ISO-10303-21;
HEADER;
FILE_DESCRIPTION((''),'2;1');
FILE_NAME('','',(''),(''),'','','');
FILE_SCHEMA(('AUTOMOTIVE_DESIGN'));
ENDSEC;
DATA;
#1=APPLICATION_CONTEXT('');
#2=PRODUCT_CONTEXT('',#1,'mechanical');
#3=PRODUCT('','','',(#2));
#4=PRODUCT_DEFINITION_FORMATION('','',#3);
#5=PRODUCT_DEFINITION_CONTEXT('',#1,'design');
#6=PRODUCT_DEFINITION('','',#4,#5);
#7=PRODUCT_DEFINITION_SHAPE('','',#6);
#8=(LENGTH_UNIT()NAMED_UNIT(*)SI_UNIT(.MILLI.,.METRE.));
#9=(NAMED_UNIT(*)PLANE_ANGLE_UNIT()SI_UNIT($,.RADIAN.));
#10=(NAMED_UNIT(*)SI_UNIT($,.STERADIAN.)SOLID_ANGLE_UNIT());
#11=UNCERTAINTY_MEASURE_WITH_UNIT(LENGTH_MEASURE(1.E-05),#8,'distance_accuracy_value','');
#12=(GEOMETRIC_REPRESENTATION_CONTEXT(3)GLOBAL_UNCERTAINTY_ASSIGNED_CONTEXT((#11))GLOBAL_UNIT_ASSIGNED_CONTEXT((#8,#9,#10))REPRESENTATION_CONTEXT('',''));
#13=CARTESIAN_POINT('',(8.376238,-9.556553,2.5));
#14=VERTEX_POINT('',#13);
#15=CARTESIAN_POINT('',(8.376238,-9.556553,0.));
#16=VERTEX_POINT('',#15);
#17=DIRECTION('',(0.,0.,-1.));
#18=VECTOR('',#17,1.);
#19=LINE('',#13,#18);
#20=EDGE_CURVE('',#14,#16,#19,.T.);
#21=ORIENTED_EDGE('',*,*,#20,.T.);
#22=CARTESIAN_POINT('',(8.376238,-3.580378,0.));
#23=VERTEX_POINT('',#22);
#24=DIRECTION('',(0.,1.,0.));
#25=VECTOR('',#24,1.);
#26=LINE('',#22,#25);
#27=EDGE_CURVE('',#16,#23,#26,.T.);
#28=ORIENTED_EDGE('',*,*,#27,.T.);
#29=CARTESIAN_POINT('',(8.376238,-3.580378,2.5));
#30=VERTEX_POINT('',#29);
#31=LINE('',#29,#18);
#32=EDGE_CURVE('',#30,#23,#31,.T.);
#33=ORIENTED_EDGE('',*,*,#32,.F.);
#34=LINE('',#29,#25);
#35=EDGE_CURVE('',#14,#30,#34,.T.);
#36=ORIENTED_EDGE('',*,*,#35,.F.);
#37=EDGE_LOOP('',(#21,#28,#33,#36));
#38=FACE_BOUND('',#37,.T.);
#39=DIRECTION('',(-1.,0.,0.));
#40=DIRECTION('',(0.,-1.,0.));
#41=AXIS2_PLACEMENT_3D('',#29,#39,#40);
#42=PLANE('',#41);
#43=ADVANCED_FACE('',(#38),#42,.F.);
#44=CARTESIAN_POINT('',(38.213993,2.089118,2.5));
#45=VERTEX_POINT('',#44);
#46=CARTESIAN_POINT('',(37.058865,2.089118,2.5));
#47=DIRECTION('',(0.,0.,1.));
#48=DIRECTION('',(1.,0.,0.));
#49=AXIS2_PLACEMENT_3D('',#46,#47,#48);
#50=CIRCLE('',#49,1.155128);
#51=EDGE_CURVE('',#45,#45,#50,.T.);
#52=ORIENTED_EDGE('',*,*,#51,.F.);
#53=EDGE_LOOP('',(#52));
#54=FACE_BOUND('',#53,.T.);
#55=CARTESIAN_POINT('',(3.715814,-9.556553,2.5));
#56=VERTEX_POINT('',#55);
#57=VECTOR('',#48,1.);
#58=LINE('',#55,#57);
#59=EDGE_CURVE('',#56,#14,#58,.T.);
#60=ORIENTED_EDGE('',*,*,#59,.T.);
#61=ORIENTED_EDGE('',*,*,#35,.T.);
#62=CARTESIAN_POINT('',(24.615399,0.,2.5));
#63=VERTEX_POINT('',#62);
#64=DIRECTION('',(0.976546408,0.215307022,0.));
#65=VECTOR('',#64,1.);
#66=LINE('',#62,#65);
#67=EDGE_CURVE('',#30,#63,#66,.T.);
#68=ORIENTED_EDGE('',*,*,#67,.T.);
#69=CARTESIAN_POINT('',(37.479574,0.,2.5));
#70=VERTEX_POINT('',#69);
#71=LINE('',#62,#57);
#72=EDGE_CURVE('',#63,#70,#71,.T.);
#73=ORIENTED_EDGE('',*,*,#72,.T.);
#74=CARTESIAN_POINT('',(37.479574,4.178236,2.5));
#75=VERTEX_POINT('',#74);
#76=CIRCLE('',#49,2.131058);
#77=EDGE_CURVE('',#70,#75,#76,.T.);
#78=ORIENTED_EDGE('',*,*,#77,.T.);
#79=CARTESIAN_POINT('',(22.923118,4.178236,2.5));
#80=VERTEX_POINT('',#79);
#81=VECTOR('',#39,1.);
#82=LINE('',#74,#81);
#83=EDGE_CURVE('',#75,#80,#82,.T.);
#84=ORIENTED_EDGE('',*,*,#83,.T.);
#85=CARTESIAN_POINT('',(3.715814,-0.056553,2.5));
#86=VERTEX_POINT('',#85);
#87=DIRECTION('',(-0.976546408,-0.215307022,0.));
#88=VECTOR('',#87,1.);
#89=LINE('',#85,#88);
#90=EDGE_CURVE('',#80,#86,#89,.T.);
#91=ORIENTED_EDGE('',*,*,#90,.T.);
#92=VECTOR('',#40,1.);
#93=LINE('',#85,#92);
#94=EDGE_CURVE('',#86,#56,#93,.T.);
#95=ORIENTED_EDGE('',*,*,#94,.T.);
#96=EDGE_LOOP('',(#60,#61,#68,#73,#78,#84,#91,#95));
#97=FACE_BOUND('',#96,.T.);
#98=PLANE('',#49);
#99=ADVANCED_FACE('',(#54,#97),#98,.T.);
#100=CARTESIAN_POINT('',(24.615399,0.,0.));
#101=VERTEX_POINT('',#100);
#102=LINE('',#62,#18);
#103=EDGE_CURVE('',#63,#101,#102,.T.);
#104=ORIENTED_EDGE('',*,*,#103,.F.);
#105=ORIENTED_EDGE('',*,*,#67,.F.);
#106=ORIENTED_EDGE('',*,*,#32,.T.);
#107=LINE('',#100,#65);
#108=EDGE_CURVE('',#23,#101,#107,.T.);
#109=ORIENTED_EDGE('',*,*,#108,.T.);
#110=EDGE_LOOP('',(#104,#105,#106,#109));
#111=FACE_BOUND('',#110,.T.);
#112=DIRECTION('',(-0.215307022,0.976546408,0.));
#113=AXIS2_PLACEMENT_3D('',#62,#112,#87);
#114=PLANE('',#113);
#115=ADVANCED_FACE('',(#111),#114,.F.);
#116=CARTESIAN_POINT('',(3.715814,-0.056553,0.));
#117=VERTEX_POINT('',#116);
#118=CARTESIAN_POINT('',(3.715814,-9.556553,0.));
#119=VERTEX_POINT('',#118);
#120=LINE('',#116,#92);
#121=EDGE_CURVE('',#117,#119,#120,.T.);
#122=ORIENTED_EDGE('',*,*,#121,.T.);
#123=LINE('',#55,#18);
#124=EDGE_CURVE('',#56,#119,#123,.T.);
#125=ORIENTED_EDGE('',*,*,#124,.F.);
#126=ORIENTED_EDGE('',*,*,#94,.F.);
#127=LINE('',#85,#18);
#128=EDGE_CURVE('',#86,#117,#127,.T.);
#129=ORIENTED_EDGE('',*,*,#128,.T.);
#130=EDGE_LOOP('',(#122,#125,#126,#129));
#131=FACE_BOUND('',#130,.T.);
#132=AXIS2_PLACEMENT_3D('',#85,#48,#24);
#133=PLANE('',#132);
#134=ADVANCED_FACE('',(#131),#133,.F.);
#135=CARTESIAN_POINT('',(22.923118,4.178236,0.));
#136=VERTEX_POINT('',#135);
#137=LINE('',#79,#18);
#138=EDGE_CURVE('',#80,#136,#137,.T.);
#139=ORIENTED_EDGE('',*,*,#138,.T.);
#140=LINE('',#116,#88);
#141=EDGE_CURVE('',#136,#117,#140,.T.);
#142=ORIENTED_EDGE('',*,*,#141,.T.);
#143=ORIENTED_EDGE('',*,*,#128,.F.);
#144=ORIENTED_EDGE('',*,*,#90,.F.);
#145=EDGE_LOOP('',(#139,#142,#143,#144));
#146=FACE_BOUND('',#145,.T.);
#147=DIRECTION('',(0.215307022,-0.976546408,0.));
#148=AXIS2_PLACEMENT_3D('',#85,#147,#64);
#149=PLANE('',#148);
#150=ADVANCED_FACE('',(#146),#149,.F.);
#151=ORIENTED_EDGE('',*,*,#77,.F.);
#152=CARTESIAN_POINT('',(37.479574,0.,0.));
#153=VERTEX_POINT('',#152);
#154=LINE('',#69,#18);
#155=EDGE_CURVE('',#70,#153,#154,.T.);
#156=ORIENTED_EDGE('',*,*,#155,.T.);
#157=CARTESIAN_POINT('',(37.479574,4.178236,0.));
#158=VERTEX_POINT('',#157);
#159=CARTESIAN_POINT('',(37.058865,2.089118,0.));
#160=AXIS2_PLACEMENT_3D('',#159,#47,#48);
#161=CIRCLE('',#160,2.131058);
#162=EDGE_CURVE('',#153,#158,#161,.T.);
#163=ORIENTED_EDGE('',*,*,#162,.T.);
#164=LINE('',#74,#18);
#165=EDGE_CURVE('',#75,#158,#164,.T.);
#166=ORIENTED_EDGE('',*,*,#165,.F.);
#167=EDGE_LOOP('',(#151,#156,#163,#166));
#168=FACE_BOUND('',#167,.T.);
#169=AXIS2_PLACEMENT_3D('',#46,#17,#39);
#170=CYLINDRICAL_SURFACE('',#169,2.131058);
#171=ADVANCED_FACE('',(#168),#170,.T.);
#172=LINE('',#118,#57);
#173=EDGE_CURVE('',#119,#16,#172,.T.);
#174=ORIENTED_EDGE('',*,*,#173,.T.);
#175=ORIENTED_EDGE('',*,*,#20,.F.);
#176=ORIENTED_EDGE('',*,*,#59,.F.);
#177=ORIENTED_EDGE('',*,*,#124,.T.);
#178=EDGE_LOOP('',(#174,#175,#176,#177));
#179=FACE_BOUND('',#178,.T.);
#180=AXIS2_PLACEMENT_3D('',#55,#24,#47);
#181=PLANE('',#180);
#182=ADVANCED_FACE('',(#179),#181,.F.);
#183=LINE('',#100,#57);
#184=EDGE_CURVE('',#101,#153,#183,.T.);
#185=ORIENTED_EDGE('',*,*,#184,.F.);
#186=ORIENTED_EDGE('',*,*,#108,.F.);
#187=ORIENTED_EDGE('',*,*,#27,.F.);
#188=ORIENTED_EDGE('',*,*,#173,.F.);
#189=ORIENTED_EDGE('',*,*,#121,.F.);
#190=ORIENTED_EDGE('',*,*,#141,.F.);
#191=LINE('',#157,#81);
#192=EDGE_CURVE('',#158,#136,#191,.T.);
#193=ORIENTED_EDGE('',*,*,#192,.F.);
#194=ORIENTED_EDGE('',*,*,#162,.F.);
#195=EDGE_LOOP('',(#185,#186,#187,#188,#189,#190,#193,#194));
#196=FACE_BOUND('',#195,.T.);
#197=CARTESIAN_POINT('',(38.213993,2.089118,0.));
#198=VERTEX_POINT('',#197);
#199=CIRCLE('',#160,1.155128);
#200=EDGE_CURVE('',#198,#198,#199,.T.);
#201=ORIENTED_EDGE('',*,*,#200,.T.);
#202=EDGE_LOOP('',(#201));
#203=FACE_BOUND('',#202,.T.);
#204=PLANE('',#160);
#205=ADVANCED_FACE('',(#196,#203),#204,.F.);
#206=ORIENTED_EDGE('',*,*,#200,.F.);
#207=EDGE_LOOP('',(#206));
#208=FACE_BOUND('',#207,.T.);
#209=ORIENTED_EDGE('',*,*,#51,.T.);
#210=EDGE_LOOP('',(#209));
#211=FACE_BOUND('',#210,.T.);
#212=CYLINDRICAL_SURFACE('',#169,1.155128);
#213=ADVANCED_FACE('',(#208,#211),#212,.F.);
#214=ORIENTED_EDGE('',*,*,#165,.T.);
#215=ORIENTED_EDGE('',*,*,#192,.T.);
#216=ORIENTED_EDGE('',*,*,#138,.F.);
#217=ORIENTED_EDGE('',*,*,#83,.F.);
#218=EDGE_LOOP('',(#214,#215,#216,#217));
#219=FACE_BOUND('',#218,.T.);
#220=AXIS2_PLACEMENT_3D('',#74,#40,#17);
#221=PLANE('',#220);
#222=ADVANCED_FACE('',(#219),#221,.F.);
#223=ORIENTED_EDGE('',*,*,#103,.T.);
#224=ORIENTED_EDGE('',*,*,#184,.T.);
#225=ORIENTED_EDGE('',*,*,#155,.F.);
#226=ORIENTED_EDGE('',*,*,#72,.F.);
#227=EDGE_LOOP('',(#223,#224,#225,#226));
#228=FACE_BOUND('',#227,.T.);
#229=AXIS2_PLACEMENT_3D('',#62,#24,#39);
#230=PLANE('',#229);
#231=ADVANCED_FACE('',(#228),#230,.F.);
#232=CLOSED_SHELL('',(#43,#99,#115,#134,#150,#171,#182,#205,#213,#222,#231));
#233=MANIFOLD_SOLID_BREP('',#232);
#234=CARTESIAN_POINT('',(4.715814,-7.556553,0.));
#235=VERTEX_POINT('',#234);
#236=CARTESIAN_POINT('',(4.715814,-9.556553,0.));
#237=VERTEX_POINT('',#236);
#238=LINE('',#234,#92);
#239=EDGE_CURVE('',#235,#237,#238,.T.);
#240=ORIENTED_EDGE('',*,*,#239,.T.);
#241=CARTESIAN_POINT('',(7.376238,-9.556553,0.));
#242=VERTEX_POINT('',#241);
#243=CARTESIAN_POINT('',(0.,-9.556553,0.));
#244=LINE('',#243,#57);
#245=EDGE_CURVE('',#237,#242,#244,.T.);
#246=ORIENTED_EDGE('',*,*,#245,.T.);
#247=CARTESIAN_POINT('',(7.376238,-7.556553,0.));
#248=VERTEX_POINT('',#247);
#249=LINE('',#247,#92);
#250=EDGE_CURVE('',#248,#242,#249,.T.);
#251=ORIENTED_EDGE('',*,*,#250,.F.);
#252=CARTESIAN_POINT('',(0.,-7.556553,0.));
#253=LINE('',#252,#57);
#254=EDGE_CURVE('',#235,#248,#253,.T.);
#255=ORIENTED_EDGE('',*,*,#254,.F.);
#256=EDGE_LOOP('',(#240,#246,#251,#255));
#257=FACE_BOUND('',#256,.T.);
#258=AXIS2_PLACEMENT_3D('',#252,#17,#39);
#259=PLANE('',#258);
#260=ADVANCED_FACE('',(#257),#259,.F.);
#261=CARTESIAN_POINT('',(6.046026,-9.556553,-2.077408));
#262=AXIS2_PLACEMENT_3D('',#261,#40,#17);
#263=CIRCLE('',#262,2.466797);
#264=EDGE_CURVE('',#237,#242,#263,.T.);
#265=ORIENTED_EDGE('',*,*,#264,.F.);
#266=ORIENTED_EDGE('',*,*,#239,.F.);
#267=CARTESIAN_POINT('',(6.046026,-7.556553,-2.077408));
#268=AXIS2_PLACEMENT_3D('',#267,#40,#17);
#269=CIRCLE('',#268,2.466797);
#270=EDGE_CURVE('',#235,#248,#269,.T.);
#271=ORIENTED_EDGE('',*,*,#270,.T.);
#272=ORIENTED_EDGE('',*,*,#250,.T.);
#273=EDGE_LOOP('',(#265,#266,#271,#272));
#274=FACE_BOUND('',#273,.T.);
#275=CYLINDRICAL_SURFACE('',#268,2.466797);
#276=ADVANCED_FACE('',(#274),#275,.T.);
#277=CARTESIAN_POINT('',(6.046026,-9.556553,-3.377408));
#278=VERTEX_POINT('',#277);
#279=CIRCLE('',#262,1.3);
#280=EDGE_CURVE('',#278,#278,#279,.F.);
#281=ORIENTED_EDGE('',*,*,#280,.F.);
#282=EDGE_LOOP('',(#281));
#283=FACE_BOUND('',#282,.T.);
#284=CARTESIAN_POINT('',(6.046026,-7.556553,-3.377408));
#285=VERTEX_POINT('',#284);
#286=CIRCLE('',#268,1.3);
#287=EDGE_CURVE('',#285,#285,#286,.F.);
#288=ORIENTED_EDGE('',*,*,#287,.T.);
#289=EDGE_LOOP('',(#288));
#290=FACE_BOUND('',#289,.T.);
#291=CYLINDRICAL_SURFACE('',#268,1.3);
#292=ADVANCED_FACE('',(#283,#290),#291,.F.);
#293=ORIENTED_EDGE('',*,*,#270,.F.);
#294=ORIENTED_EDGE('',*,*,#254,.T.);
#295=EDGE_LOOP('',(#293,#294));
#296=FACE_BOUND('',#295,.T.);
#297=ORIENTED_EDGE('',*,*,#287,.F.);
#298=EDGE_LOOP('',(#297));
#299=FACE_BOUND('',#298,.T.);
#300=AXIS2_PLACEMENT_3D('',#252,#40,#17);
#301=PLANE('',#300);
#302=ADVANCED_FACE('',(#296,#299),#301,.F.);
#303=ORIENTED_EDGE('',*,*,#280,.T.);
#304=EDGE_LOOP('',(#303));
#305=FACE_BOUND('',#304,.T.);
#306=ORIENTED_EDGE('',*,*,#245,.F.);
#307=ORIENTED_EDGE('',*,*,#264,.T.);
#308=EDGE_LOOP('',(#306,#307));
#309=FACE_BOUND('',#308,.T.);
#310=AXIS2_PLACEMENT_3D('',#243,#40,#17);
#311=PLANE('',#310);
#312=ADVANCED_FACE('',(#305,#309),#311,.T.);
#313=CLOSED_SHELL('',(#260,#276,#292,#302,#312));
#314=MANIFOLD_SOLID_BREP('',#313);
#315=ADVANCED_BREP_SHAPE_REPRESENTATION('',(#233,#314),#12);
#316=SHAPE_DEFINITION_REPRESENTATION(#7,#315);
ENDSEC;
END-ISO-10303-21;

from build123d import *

# Parameters (mm, degrees)
SKETCH1_R           = 1.155127989
BOSS_EXTRUDE1_DEPTH = 2.5
SKETCH4_R           = 1.3
BOSS_EXTRUDE5_DEPTH = 2


with BuildPart() as part:
    # Sketch1 → Boss-Extrude1 (new body)
    with BuildSketch(Plane.XY):
        with BuildLine():
            Line((24.615399121, 0), (37.479574188, 0))
            ThreePointArc((37.479574188, 0), (39.18992359, 2.089117865), (37.479574188, 4.178235731))
            Line((37.479574188, 4.178235731), (22.923117505, 4.178235731))
            Line((22.923117505, 4.178235731), (3.715813686, -0.056552658))
            Line((3.715813686, -0.056552658), (3.715813686, -9.556552658))
            Line((3.715813686, -9.556552658), (8.3762383, -9.556552658))
            Line((8.3762383, -9.556552658), (8.3762383, -3.580378086))
            Line((8.3762383, -3.580378086), (24.615399121, 0))
        make_face()
        with Locations((37.058865303, 2.089117865)):
            Circle(SKETCH1_R, mode=Mode.SUBTRACT)
    extrude(amount=BOSS_EXTRUDE1_DEPTH)


with BuildPart() as body_2:
    # Sketch4 → Boss-Extrude5 (new body)
    with BuildSketch(Plane.XZ.offset(9.556552658)):
        with BuildLine():
            Line((7.3762383, 0), (4.715813686, 0))
            ThreePointArc((4.715813686, 0), (6.046025993, -4.544205624), (7.3762383, 0))
        make_face()
        with Locations((6.046025993, -2.077408191)):
            Circle(SKETCH4_R, mode=Mode.SUBTRACT)
    extrude(amount=-BOSS_EXTRUDE5_DEPTH)


solid = Compound([part.part, body_2.part])
